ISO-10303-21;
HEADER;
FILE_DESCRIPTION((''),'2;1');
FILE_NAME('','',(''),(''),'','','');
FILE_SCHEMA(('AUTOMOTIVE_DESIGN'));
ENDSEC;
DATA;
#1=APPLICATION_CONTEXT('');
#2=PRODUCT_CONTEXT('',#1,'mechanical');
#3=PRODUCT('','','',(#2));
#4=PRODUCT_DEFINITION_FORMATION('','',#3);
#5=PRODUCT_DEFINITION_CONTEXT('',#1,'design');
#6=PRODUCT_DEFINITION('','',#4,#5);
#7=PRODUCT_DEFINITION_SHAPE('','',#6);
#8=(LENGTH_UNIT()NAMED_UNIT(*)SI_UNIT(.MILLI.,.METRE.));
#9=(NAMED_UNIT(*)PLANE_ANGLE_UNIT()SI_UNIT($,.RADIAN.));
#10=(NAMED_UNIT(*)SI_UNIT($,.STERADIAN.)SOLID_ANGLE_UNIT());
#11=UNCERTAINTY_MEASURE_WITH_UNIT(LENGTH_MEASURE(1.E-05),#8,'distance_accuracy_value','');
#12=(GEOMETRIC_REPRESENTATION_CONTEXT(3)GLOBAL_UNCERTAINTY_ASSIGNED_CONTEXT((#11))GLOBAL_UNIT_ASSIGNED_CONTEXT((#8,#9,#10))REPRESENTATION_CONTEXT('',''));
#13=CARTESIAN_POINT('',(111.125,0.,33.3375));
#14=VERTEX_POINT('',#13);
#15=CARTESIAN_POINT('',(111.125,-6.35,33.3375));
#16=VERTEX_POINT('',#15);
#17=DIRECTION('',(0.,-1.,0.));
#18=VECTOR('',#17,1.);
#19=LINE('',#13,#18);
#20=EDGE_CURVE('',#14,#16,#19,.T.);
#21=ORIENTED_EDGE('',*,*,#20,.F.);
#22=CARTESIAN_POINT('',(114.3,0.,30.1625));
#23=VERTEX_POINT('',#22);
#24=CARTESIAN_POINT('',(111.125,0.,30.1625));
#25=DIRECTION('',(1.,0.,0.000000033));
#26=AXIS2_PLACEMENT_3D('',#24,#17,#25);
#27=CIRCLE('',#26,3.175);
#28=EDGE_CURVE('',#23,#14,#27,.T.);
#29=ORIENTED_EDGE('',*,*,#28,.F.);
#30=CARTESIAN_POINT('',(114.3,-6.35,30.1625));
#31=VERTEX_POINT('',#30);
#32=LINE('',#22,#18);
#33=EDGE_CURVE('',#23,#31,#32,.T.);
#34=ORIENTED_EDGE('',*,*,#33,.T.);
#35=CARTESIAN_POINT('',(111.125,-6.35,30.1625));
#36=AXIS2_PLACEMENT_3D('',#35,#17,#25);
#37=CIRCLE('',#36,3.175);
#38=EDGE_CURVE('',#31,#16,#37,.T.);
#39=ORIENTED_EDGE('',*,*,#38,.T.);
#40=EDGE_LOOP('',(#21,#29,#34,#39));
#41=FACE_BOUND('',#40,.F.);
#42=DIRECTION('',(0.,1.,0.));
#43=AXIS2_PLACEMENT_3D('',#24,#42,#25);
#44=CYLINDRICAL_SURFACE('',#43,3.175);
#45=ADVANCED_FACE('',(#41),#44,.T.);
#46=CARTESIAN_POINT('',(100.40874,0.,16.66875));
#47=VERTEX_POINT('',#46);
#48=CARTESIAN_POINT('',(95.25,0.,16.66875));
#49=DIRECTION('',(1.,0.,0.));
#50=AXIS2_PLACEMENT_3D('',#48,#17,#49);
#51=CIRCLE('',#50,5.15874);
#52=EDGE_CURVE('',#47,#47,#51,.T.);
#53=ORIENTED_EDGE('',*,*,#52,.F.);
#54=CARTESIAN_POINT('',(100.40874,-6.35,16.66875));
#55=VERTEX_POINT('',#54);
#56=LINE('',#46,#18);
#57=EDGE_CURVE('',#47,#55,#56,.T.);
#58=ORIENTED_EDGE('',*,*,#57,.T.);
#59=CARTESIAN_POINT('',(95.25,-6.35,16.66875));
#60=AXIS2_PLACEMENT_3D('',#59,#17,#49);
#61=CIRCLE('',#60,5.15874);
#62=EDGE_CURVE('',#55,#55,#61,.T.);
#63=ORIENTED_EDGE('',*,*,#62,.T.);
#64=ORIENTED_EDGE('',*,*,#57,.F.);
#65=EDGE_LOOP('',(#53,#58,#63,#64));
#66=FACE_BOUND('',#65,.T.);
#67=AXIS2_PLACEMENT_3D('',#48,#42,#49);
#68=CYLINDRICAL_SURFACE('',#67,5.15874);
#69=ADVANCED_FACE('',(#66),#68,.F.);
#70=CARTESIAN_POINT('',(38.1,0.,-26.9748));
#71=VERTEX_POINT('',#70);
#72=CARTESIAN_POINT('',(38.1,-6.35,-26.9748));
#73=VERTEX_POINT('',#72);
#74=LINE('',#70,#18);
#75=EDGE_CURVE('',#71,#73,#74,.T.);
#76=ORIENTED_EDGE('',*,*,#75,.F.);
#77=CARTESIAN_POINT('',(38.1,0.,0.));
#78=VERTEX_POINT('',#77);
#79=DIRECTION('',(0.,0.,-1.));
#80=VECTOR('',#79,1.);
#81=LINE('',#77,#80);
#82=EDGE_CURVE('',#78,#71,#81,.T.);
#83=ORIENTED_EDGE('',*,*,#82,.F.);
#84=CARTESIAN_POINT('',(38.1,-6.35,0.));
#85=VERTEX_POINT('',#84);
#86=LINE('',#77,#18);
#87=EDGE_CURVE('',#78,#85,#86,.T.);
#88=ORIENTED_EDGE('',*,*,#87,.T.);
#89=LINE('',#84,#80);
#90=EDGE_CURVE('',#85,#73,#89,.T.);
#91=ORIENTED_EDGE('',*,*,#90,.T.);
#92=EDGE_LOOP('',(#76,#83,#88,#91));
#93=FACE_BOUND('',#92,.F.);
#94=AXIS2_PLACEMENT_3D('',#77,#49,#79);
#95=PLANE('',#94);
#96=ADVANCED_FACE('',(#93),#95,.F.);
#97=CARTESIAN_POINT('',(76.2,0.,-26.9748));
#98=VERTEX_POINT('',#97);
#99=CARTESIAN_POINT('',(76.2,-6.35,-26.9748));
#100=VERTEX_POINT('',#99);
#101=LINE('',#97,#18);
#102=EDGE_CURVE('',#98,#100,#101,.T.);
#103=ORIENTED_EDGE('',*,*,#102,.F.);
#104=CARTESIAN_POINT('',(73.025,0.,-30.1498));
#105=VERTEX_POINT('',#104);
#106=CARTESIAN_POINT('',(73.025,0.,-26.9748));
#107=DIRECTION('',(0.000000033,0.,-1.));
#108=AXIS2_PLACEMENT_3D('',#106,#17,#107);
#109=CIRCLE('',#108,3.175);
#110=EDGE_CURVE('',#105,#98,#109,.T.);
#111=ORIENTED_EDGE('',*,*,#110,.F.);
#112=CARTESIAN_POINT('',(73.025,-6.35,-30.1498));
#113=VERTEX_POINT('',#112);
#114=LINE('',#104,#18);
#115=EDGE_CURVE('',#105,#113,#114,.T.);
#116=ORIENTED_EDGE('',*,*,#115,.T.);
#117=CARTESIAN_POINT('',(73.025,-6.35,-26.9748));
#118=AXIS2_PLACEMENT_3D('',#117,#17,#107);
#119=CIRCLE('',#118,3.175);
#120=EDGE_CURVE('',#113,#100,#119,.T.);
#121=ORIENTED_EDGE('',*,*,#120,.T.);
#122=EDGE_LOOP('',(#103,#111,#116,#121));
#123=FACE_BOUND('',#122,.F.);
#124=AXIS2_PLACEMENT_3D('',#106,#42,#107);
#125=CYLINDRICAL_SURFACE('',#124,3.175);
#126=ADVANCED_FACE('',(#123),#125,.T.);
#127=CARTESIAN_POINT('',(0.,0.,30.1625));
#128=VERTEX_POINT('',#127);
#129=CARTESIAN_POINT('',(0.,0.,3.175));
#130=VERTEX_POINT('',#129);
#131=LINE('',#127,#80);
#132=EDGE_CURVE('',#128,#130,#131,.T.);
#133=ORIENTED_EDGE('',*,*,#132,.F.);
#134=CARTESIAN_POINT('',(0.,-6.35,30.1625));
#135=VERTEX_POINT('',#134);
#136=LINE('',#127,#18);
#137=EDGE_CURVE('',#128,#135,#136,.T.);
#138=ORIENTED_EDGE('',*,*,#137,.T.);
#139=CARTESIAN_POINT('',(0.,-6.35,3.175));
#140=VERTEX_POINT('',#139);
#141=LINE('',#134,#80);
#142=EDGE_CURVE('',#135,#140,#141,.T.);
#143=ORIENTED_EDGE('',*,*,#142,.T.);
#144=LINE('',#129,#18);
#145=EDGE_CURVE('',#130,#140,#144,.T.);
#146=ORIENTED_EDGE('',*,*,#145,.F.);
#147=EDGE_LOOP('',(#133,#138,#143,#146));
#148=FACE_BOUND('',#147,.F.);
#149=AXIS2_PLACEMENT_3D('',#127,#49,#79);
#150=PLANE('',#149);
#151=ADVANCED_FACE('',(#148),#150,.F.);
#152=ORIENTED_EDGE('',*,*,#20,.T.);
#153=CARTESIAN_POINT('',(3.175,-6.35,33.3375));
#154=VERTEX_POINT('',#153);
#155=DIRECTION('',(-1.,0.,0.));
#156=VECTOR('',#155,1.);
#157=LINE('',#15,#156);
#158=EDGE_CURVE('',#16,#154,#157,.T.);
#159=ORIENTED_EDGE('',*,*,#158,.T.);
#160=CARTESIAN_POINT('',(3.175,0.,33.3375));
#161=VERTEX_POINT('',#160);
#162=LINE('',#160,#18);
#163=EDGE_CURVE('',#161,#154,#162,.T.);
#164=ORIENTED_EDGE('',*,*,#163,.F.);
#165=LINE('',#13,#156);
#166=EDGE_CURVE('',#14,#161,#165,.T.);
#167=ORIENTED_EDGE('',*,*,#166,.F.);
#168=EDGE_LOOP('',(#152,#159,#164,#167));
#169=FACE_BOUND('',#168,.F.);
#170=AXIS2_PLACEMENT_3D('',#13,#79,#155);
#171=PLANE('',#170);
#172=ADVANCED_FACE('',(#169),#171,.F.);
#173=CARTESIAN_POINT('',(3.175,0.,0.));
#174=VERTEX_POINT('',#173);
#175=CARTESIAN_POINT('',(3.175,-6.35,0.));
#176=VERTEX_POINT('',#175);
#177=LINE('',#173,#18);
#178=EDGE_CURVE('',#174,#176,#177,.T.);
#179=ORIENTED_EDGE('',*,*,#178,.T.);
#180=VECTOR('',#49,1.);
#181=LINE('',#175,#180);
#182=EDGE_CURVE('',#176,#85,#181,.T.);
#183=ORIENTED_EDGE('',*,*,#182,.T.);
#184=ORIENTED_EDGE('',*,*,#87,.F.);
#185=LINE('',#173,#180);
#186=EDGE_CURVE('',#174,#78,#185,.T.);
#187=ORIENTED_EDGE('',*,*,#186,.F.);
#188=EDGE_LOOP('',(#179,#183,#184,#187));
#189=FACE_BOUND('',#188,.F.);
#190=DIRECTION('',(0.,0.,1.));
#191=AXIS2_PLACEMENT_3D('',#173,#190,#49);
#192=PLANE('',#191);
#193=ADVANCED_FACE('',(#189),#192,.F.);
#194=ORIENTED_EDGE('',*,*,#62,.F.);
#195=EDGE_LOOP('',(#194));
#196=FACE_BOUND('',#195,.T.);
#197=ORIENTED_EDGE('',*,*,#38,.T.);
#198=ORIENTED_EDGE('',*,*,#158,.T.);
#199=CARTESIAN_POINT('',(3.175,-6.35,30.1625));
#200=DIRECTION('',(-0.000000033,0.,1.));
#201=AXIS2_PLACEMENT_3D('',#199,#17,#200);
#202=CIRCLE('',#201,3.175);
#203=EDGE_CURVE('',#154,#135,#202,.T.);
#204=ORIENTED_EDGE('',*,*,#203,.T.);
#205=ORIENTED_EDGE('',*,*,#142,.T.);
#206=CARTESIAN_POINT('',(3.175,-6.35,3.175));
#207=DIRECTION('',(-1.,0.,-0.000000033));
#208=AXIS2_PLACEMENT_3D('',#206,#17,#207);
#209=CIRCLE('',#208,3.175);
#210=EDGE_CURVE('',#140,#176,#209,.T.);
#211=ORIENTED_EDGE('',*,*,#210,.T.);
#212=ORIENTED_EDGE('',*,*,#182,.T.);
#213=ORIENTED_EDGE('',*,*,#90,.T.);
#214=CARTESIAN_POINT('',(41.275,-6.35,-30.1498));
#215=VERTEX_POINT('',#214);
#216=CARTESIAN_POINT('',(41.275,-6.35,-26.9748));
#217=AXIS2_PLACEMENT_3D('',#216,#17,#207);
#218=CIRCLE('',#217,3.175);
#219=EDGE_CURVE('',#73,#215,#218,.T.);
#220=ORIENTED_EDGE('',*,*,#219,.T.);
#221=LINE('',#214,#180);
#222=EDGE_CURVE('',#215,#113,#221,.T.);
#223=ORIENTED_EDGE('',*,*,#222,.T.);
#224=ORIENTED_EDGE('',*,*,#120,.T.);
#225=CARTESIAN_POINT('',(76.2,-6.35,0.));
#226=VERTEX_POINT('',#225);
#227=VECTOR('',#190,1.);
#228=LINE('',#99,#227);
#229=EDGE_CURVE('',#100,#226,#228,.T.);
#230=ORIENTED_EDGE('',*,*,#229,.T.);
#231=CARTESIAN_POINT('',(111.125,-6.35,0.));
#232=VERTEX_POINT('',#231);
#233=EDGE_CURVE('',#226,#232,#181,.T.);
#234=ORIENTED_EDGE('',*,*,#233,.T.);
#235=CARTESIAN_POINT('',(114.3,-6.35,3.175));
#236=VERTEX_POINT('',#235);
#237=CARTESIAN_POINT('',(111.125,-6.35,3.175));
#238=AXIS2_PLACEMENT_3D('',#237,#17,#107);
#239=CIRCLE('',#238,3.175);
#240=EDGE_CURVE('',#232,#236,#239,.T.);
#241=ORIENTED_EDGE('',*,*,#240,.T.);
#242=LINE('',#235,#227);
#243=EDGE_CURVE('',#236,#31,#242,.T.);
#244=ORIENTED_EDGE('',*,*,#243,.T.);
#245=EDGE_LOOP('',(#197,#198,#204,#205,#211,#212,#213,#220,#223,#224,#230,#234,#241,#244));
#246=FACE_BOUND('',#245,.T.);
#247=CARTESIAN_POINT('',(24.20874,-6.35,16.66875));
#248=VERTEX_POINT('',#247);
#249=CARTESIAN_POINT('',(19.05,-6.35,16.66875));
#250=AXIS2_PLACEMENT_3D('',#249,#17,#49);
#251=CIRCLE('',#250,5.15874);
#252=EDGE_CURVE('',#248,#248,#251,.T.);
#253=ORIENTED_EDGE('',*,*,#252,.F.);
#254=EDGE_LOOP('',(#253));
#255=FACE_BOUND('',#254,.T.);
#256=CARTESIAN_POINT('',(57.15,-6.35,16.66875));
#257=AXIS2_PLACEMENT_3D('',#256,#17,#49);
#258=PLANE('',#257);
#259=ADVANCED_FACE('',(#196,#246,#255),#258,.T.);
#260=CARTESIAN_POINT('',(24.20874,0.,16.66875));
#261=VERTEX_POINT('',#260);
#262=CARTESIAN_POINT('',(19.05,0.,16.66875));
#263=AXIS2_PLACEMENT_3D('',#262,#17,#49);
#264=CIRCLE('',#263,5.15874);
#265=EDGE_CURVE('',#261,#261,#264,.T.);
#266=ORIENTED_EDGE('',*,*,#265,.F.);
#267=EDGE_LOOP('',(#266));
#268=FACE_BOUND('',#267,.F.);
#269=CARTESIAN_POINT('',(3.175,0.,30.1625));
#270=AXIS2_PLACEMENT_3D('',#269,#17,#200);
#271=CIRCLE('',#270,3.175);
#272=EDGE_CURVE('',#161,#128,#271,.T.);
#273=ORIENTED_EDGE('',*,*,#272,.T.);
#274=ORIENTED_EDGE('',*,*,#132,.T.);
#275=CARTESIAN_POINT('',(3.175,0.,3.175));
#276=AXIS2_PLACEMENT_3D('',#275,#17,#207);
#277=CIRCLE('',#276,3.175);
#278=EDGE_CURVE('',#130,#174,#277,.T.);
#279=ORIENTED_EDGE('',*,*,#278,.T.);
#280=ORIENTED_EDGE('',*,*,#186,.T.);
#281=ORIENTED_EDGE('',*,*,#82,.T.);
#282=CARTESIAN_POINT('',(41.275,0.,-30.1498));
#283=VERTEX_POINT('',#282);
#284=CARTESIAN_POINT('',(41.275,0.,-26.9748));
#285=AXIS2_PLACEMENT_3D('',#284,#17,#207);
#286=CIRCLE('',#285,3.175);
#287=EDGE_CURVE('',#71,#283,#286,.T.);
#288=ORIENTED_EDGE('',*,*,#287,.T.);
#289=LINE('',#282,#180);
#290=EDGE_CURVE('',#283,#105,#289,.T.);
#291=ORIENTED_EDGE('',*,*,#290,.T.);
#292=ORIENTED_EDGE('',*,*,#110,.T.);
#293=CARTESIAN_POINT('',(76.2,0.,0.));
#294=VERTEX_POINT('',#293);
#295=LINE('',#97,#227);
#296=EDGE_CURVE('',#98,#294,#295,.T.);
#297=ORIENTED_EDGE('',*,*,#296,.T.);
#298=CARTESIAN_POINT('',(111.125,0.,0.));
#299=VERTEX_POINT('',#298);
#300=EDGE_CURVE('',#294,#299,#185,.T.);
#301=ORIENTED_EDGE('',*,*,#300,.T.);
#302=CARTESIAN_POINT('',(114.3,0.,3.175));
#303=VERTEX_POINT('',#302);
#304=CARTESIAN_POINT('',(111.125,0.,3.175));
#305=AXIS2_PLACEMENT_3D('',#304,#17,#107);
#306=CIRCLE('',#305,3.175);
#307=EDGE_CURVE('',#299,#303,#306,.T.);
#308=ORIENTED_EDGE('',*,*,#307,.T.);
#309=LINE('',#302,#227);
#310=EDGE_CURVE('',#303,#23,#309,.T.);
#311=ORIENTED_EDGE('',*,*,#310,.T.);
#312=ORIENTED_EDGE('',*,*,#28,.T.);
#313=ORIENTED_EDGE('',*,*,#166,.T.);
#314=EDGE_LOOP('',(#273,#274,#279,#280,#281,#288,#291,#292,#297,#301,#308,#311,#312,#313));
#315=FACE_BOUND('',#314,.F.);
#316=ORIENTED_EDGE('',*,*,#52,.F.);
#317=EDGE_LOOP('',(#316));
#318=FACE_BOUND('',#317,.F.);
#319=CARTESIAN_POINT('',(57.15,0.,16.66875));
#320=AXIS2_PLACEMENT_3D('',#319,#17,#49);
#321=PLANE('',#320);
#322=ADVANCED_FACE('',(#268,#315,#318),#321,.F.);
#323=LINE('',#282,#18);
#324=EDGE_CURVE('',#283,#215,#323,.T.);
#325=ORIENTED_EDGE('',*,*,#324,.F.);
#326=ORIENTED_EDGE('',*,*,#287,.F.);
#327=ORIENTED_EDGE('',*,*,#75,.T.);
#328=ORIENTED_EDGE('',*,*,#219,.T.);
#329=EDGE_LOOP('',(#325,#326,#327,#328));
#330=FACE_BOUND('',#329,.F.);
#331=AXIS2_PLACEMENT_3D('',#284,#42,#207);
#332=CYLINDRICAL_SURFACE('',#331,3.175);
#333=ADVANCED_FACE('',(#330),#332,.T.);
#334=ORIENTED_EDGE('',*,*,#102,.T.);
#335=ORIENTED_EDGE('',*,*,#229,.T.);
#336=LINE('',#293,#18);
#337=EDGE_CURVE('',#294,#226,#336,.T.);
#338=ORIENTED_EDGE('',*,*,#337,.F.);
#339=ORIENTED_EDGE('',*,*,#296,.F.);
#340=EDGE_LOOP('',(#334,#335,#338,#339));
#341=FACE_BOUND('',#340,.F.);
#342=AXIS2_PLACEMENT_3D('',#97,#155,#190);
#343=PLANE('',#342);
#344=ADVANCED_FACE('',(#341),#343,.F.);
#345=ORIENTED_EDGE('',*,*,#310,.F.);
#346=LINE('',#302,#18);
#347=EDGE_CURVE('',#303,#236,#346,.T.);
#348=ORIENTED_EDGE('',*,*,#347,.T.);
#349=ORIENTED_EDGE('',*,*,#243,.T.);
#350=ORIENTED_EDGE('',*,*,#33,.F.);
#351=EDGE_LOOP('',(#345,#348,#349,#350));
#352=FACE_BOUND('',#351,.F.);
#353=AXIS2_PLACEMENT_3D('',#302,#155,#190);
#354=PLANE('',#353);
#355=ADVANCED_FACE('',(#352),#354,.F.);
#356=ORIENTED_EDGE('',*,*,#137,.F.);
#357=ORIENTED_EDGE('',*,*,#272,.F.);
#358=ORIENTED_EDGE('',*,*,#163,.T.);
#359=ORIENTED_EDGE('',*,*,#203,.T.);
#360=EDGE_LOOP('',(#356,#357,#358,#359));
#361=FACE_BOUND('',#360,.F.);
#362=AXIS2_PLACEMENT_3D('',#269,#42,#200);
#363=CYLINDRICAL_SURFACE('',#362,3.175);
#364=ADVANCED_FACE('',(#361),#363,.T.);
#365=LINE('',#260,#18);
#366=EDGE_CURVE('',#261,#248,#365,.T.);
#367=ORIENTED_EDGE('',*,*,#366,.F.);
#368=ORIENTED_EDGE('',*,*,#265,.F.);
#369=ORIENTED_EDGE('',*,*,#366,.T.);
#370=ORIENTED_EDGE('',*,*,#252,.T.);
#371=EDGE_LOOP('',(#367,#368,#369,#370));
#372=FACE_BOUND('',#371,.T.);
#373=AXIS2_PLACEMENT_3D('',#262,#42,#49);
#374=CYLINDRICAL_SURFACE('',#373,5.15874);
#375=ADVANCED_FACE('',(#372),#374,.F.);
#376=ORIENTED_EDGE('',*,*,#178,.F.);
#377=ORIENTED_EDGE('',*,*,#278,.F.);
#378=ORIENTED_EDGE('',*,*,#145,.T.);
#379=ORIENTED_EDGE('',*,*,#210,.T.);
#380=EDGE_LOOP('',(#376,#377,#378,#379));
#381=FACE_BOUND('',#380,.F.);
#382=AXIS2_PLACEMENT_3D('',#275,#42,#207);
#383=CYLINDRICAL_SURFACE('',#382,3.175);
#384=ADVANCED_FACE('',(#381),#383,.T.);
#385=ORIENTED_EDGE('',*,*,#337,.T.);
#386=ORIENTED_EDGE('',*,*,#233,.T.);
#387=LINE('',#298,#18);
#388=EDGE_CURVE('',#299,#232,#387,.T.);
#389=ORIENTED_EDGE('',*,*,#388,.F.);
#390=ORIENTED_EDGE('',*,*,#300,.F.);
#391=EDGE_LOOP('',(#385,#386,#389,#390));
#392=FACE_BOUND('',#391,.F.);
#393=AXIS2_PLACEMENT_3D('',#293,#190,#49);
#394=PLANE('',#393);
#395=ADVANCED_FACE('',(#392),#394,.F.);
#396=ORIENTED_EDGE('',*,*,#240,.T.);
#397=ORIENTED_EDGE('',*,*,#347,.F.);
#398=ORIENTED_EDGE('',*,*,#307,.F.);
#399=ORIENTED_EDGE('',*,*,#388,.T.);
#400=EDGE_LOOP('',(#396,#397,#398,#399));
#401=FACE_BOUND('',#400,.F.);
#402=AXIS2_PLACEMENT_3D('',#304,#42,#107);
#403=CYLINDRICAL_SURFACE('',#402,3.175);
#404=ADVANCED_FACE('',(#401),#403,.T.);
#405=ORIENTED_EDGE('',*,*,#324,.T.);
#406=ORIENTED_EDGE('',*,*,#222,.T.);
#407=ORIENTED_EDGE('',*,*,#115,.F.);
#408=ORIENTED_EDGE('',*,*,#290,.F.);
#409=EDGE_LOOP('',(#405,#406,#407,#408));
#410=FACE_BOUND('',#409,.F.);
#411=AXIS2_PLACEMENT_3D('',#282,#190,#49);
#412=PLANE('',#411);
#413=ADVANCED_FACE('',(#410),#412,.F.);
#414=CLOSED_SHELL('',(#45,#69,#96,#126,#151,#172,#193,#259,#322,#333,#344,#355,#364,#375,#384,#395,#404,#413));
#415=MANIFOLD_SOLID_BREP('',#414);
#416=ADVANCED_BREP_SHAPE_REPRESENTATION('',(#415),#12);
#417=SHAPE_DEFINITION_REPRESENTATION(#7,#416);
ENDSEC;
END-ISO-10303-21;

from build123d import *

# Parameters (mm, degrees)
F0_R     = 5.15874
F1_DEPTH = 6.35


with BuildPart() as f1:
    # F0 (on Front) → F1 (new body)
    with BuildSketch(Plane.XZ):
        with BuildLine():
            ThreePointArc((0, 3.175), (0.929936, 0.929936), (3.175, 0))
            Line((3.175, 0), (38.1, 0))
            Line((38.1, 0), (76.2, 0))
            Line((76.2, 0), (111.125, 0))
            ThreePointArc((111.125, 0), (113.370064, 0.929936), (114.3, 3.175))
            Line((114.3, 3.175), (114.3, 30.1625))
            ThreePointArc((114.3, 30.1625), (113.370064, 32.407564), (111.125, 33.3375))
            Line((111.125, 33.3375), (3.175, 33.3375))
            ThreePointArc((3.175, 33.3375), (0.929936, 32.407564), (0, 30.1625))
            Line((0, 30.1625), (0, 3.175))
        make_face()
        with Locations((19.05, 16.66875)):
            Circle(F0_R, mode=Mode.SUBTRACT)
        with Locations((95.25, 16.66875)):
            Circle(F0_R, mode=Mode.SUBTRACT)
        with BuildLine():
            Line((76.2, 0), (38.1, 0))
            Line((38.1, 0), (38.1, -26.9748))
            ThreePointArc((38.1, -26.9748), (39.029936, -29.219864), (41.275, -30.1498))
            Line((41.275, -30.1498), (73.025, -30.1498))
            ThreePointArc((73.025, -30.1498), (75.270064, -29.219864), (76.2, -26.9748))
            Line((76.2, -26.9748), (76.2, 0))
        make_face()
    extrude(amount=F1_DEPTH)


solid = f1.part
